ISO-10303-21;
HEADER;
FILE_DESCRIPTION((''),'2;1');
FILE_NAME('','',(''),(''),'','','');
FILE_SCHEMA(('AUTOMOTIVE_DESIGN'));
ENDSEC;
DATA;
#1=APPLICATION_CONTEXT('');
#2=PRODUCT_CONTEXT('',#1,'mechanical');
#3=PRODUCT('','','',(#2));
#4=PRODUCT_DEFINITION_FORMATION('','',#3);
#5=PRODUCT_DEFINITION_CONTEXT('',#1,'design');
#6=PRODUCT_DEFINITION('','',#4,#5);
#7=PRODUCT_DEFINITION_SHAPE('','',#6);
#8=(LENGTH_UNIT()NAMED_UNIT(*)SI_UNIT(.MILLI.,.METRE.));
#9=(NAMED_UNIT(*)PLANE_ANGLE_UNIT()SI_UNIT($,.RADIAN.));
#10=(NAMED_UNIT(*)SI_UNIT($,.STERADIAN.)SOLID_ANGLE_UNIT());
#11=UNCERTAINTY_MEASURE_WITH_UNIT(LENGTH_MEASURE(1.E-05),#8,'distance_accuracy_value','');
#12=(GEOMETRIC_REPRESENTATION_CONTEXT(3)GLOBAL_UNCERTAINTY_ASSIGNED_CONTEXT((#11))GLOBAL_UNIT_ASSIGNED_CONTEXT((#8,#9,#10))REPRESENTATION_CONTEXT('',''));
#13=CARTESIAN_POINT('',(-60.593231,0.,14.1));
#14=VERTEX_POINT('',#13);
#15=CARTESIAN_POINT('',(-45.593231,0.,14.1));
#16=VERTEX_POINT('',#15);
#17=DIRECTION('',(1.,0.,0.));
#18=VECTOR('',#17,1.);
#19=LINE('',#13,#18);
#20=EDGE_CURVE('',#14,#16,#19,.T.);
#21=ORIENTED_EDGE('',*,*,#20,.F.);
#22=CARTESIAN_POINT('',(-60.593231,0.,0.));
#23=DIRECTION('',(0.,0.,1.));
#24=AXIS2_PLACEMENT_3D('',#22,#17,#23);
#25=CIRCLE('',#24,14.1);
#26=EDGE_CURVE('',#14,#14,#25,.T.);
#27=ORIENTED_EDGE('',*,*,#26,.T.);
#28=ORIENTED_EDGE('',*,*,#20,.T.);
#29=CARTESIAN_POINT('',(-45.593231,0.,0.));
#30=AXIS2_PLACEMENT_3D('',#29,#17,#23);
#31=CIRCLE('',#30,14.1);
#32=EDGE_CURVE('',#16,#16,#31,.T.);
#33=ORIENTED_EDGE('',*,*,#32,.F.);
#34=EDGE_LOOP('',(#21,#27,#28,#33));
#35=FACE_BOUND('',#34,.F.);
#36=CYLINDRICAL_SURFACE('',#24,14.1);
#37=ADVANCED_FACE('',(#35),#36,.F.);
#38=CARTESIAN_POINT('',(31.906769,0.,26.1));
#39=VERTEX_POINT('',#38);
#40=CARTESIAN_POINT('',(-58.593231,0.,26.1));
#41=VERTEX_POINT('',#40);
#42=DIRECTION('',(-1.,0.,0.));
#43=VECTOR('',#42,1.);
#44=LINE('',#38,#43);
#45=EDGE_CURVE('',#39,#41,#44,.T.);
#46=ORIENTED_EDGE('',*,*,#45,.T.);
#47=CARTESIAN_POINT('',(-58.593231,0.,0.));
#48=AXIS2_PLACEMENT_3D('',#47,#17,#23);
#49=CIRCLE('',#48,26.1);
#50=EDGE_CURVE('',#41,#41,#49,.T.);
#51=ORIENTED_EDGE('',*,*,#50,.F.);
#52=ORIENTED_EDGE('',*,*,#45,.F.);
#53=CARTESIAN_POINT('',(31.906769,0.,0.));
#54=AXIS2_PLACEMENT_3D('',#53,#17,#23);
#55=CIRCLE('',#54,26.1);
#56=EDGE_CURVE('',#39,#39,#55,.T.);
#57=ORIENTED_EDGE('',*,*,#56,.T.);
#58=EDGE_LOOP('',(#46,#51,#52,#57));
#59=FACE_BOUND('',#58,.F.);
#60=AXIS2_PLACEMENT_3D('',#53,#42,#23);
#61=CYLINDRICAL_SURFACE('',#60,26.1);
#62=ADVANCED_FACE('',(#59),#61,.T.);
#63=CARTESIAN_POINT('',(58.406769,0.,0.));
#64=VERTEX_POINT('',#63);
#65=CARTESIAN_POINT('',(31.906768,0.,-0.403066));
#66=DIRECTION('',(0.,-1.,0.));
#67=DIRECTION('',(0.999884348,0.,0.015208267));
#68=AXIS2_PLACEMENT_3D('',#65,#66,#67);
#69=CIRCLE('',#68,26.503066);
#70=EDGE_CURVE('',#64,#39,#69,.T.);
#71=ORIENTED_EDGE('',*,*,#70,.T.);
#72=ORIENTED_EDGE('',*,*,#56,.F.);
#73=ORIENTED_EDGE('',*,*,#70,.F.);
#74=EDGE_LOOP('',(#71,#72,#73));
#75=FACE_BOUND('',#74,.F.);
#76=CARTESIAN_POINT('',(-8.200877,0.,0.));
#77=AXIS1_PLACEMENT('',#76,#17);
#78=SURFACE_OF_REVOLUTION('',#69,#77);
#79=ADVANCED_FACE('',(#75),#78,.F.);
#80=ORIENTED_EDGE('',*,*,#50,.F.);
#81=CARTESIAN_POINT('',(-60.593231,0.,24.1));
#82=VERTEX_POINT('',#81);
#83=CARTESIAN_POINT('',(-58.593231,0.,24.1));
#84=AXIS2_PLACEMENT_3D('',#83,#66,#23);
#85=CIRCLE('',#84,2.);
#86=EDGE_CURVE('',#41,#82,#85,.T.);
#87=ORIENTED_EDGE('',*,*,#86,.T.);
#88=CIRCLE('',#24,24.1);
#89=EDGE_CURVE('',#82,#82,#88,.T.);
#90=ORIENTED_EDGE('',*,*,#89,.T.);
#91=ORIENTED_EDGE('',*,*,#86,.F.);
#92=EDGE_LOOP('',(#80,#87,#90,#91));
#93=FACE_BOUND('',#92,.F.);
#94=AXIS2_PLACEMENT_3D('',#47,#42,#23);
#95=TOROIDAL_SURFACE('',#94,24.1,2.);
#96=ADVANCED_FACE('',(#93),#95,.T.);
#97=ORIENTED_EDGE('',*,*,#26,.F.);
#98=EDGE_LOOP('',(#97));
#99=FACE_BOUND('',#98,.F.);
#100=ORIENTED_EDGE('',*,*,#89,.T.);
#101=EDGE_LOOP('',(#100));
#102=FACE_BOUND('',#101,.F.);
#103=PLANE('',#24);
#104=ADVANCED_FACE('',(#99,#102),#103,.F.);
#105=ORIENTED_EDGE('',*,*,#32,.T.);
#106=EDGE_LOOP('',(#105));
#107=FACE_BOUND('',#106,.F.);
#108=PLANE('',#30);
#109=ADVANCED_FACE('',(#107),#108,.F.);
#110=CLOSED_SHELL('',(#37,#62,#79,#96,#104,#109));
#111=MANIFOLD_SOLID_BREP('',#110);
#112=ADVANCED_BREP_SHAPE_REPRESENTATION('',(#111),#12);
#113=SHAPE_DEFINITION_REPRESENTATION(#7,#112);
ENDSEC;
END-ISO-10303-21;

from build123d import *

# Parameters (mm, degrees)
F2_R = 2


with BuildPart() as f1:
    # F0 (on Front) → F1 (revolve)
    with BuildSketch(Plane.XZ):
        with BuildLine():
            Line((-45.593231, 14.1), (-45.593231, 0))
            Line((-45.593231, 0), (58.406769, 0))
            ThreePointArc((58.406769, 0), (50.504215, 18.479399), (31.906769, 26.1))
            Line((31.906769, 26.1), (-60.593231, 26.1))
            Line((-60.593231, 26.1), (-60.593231, 14.1))
            Line((-60.593231, 14.1), (-45.593231, 14.1))
        make_face()
    revolve(axis=Axis((-8.200877, 0, 0), (1, 0, 0)))

    # F2
    f2_edges = [f1.edges().sort_by_distance(p)[0] for p in [
        (-60.593231, 0, -26.1),
    ]]
    fillet(f2_edges, radius=F2_R)


solid = f1.part
